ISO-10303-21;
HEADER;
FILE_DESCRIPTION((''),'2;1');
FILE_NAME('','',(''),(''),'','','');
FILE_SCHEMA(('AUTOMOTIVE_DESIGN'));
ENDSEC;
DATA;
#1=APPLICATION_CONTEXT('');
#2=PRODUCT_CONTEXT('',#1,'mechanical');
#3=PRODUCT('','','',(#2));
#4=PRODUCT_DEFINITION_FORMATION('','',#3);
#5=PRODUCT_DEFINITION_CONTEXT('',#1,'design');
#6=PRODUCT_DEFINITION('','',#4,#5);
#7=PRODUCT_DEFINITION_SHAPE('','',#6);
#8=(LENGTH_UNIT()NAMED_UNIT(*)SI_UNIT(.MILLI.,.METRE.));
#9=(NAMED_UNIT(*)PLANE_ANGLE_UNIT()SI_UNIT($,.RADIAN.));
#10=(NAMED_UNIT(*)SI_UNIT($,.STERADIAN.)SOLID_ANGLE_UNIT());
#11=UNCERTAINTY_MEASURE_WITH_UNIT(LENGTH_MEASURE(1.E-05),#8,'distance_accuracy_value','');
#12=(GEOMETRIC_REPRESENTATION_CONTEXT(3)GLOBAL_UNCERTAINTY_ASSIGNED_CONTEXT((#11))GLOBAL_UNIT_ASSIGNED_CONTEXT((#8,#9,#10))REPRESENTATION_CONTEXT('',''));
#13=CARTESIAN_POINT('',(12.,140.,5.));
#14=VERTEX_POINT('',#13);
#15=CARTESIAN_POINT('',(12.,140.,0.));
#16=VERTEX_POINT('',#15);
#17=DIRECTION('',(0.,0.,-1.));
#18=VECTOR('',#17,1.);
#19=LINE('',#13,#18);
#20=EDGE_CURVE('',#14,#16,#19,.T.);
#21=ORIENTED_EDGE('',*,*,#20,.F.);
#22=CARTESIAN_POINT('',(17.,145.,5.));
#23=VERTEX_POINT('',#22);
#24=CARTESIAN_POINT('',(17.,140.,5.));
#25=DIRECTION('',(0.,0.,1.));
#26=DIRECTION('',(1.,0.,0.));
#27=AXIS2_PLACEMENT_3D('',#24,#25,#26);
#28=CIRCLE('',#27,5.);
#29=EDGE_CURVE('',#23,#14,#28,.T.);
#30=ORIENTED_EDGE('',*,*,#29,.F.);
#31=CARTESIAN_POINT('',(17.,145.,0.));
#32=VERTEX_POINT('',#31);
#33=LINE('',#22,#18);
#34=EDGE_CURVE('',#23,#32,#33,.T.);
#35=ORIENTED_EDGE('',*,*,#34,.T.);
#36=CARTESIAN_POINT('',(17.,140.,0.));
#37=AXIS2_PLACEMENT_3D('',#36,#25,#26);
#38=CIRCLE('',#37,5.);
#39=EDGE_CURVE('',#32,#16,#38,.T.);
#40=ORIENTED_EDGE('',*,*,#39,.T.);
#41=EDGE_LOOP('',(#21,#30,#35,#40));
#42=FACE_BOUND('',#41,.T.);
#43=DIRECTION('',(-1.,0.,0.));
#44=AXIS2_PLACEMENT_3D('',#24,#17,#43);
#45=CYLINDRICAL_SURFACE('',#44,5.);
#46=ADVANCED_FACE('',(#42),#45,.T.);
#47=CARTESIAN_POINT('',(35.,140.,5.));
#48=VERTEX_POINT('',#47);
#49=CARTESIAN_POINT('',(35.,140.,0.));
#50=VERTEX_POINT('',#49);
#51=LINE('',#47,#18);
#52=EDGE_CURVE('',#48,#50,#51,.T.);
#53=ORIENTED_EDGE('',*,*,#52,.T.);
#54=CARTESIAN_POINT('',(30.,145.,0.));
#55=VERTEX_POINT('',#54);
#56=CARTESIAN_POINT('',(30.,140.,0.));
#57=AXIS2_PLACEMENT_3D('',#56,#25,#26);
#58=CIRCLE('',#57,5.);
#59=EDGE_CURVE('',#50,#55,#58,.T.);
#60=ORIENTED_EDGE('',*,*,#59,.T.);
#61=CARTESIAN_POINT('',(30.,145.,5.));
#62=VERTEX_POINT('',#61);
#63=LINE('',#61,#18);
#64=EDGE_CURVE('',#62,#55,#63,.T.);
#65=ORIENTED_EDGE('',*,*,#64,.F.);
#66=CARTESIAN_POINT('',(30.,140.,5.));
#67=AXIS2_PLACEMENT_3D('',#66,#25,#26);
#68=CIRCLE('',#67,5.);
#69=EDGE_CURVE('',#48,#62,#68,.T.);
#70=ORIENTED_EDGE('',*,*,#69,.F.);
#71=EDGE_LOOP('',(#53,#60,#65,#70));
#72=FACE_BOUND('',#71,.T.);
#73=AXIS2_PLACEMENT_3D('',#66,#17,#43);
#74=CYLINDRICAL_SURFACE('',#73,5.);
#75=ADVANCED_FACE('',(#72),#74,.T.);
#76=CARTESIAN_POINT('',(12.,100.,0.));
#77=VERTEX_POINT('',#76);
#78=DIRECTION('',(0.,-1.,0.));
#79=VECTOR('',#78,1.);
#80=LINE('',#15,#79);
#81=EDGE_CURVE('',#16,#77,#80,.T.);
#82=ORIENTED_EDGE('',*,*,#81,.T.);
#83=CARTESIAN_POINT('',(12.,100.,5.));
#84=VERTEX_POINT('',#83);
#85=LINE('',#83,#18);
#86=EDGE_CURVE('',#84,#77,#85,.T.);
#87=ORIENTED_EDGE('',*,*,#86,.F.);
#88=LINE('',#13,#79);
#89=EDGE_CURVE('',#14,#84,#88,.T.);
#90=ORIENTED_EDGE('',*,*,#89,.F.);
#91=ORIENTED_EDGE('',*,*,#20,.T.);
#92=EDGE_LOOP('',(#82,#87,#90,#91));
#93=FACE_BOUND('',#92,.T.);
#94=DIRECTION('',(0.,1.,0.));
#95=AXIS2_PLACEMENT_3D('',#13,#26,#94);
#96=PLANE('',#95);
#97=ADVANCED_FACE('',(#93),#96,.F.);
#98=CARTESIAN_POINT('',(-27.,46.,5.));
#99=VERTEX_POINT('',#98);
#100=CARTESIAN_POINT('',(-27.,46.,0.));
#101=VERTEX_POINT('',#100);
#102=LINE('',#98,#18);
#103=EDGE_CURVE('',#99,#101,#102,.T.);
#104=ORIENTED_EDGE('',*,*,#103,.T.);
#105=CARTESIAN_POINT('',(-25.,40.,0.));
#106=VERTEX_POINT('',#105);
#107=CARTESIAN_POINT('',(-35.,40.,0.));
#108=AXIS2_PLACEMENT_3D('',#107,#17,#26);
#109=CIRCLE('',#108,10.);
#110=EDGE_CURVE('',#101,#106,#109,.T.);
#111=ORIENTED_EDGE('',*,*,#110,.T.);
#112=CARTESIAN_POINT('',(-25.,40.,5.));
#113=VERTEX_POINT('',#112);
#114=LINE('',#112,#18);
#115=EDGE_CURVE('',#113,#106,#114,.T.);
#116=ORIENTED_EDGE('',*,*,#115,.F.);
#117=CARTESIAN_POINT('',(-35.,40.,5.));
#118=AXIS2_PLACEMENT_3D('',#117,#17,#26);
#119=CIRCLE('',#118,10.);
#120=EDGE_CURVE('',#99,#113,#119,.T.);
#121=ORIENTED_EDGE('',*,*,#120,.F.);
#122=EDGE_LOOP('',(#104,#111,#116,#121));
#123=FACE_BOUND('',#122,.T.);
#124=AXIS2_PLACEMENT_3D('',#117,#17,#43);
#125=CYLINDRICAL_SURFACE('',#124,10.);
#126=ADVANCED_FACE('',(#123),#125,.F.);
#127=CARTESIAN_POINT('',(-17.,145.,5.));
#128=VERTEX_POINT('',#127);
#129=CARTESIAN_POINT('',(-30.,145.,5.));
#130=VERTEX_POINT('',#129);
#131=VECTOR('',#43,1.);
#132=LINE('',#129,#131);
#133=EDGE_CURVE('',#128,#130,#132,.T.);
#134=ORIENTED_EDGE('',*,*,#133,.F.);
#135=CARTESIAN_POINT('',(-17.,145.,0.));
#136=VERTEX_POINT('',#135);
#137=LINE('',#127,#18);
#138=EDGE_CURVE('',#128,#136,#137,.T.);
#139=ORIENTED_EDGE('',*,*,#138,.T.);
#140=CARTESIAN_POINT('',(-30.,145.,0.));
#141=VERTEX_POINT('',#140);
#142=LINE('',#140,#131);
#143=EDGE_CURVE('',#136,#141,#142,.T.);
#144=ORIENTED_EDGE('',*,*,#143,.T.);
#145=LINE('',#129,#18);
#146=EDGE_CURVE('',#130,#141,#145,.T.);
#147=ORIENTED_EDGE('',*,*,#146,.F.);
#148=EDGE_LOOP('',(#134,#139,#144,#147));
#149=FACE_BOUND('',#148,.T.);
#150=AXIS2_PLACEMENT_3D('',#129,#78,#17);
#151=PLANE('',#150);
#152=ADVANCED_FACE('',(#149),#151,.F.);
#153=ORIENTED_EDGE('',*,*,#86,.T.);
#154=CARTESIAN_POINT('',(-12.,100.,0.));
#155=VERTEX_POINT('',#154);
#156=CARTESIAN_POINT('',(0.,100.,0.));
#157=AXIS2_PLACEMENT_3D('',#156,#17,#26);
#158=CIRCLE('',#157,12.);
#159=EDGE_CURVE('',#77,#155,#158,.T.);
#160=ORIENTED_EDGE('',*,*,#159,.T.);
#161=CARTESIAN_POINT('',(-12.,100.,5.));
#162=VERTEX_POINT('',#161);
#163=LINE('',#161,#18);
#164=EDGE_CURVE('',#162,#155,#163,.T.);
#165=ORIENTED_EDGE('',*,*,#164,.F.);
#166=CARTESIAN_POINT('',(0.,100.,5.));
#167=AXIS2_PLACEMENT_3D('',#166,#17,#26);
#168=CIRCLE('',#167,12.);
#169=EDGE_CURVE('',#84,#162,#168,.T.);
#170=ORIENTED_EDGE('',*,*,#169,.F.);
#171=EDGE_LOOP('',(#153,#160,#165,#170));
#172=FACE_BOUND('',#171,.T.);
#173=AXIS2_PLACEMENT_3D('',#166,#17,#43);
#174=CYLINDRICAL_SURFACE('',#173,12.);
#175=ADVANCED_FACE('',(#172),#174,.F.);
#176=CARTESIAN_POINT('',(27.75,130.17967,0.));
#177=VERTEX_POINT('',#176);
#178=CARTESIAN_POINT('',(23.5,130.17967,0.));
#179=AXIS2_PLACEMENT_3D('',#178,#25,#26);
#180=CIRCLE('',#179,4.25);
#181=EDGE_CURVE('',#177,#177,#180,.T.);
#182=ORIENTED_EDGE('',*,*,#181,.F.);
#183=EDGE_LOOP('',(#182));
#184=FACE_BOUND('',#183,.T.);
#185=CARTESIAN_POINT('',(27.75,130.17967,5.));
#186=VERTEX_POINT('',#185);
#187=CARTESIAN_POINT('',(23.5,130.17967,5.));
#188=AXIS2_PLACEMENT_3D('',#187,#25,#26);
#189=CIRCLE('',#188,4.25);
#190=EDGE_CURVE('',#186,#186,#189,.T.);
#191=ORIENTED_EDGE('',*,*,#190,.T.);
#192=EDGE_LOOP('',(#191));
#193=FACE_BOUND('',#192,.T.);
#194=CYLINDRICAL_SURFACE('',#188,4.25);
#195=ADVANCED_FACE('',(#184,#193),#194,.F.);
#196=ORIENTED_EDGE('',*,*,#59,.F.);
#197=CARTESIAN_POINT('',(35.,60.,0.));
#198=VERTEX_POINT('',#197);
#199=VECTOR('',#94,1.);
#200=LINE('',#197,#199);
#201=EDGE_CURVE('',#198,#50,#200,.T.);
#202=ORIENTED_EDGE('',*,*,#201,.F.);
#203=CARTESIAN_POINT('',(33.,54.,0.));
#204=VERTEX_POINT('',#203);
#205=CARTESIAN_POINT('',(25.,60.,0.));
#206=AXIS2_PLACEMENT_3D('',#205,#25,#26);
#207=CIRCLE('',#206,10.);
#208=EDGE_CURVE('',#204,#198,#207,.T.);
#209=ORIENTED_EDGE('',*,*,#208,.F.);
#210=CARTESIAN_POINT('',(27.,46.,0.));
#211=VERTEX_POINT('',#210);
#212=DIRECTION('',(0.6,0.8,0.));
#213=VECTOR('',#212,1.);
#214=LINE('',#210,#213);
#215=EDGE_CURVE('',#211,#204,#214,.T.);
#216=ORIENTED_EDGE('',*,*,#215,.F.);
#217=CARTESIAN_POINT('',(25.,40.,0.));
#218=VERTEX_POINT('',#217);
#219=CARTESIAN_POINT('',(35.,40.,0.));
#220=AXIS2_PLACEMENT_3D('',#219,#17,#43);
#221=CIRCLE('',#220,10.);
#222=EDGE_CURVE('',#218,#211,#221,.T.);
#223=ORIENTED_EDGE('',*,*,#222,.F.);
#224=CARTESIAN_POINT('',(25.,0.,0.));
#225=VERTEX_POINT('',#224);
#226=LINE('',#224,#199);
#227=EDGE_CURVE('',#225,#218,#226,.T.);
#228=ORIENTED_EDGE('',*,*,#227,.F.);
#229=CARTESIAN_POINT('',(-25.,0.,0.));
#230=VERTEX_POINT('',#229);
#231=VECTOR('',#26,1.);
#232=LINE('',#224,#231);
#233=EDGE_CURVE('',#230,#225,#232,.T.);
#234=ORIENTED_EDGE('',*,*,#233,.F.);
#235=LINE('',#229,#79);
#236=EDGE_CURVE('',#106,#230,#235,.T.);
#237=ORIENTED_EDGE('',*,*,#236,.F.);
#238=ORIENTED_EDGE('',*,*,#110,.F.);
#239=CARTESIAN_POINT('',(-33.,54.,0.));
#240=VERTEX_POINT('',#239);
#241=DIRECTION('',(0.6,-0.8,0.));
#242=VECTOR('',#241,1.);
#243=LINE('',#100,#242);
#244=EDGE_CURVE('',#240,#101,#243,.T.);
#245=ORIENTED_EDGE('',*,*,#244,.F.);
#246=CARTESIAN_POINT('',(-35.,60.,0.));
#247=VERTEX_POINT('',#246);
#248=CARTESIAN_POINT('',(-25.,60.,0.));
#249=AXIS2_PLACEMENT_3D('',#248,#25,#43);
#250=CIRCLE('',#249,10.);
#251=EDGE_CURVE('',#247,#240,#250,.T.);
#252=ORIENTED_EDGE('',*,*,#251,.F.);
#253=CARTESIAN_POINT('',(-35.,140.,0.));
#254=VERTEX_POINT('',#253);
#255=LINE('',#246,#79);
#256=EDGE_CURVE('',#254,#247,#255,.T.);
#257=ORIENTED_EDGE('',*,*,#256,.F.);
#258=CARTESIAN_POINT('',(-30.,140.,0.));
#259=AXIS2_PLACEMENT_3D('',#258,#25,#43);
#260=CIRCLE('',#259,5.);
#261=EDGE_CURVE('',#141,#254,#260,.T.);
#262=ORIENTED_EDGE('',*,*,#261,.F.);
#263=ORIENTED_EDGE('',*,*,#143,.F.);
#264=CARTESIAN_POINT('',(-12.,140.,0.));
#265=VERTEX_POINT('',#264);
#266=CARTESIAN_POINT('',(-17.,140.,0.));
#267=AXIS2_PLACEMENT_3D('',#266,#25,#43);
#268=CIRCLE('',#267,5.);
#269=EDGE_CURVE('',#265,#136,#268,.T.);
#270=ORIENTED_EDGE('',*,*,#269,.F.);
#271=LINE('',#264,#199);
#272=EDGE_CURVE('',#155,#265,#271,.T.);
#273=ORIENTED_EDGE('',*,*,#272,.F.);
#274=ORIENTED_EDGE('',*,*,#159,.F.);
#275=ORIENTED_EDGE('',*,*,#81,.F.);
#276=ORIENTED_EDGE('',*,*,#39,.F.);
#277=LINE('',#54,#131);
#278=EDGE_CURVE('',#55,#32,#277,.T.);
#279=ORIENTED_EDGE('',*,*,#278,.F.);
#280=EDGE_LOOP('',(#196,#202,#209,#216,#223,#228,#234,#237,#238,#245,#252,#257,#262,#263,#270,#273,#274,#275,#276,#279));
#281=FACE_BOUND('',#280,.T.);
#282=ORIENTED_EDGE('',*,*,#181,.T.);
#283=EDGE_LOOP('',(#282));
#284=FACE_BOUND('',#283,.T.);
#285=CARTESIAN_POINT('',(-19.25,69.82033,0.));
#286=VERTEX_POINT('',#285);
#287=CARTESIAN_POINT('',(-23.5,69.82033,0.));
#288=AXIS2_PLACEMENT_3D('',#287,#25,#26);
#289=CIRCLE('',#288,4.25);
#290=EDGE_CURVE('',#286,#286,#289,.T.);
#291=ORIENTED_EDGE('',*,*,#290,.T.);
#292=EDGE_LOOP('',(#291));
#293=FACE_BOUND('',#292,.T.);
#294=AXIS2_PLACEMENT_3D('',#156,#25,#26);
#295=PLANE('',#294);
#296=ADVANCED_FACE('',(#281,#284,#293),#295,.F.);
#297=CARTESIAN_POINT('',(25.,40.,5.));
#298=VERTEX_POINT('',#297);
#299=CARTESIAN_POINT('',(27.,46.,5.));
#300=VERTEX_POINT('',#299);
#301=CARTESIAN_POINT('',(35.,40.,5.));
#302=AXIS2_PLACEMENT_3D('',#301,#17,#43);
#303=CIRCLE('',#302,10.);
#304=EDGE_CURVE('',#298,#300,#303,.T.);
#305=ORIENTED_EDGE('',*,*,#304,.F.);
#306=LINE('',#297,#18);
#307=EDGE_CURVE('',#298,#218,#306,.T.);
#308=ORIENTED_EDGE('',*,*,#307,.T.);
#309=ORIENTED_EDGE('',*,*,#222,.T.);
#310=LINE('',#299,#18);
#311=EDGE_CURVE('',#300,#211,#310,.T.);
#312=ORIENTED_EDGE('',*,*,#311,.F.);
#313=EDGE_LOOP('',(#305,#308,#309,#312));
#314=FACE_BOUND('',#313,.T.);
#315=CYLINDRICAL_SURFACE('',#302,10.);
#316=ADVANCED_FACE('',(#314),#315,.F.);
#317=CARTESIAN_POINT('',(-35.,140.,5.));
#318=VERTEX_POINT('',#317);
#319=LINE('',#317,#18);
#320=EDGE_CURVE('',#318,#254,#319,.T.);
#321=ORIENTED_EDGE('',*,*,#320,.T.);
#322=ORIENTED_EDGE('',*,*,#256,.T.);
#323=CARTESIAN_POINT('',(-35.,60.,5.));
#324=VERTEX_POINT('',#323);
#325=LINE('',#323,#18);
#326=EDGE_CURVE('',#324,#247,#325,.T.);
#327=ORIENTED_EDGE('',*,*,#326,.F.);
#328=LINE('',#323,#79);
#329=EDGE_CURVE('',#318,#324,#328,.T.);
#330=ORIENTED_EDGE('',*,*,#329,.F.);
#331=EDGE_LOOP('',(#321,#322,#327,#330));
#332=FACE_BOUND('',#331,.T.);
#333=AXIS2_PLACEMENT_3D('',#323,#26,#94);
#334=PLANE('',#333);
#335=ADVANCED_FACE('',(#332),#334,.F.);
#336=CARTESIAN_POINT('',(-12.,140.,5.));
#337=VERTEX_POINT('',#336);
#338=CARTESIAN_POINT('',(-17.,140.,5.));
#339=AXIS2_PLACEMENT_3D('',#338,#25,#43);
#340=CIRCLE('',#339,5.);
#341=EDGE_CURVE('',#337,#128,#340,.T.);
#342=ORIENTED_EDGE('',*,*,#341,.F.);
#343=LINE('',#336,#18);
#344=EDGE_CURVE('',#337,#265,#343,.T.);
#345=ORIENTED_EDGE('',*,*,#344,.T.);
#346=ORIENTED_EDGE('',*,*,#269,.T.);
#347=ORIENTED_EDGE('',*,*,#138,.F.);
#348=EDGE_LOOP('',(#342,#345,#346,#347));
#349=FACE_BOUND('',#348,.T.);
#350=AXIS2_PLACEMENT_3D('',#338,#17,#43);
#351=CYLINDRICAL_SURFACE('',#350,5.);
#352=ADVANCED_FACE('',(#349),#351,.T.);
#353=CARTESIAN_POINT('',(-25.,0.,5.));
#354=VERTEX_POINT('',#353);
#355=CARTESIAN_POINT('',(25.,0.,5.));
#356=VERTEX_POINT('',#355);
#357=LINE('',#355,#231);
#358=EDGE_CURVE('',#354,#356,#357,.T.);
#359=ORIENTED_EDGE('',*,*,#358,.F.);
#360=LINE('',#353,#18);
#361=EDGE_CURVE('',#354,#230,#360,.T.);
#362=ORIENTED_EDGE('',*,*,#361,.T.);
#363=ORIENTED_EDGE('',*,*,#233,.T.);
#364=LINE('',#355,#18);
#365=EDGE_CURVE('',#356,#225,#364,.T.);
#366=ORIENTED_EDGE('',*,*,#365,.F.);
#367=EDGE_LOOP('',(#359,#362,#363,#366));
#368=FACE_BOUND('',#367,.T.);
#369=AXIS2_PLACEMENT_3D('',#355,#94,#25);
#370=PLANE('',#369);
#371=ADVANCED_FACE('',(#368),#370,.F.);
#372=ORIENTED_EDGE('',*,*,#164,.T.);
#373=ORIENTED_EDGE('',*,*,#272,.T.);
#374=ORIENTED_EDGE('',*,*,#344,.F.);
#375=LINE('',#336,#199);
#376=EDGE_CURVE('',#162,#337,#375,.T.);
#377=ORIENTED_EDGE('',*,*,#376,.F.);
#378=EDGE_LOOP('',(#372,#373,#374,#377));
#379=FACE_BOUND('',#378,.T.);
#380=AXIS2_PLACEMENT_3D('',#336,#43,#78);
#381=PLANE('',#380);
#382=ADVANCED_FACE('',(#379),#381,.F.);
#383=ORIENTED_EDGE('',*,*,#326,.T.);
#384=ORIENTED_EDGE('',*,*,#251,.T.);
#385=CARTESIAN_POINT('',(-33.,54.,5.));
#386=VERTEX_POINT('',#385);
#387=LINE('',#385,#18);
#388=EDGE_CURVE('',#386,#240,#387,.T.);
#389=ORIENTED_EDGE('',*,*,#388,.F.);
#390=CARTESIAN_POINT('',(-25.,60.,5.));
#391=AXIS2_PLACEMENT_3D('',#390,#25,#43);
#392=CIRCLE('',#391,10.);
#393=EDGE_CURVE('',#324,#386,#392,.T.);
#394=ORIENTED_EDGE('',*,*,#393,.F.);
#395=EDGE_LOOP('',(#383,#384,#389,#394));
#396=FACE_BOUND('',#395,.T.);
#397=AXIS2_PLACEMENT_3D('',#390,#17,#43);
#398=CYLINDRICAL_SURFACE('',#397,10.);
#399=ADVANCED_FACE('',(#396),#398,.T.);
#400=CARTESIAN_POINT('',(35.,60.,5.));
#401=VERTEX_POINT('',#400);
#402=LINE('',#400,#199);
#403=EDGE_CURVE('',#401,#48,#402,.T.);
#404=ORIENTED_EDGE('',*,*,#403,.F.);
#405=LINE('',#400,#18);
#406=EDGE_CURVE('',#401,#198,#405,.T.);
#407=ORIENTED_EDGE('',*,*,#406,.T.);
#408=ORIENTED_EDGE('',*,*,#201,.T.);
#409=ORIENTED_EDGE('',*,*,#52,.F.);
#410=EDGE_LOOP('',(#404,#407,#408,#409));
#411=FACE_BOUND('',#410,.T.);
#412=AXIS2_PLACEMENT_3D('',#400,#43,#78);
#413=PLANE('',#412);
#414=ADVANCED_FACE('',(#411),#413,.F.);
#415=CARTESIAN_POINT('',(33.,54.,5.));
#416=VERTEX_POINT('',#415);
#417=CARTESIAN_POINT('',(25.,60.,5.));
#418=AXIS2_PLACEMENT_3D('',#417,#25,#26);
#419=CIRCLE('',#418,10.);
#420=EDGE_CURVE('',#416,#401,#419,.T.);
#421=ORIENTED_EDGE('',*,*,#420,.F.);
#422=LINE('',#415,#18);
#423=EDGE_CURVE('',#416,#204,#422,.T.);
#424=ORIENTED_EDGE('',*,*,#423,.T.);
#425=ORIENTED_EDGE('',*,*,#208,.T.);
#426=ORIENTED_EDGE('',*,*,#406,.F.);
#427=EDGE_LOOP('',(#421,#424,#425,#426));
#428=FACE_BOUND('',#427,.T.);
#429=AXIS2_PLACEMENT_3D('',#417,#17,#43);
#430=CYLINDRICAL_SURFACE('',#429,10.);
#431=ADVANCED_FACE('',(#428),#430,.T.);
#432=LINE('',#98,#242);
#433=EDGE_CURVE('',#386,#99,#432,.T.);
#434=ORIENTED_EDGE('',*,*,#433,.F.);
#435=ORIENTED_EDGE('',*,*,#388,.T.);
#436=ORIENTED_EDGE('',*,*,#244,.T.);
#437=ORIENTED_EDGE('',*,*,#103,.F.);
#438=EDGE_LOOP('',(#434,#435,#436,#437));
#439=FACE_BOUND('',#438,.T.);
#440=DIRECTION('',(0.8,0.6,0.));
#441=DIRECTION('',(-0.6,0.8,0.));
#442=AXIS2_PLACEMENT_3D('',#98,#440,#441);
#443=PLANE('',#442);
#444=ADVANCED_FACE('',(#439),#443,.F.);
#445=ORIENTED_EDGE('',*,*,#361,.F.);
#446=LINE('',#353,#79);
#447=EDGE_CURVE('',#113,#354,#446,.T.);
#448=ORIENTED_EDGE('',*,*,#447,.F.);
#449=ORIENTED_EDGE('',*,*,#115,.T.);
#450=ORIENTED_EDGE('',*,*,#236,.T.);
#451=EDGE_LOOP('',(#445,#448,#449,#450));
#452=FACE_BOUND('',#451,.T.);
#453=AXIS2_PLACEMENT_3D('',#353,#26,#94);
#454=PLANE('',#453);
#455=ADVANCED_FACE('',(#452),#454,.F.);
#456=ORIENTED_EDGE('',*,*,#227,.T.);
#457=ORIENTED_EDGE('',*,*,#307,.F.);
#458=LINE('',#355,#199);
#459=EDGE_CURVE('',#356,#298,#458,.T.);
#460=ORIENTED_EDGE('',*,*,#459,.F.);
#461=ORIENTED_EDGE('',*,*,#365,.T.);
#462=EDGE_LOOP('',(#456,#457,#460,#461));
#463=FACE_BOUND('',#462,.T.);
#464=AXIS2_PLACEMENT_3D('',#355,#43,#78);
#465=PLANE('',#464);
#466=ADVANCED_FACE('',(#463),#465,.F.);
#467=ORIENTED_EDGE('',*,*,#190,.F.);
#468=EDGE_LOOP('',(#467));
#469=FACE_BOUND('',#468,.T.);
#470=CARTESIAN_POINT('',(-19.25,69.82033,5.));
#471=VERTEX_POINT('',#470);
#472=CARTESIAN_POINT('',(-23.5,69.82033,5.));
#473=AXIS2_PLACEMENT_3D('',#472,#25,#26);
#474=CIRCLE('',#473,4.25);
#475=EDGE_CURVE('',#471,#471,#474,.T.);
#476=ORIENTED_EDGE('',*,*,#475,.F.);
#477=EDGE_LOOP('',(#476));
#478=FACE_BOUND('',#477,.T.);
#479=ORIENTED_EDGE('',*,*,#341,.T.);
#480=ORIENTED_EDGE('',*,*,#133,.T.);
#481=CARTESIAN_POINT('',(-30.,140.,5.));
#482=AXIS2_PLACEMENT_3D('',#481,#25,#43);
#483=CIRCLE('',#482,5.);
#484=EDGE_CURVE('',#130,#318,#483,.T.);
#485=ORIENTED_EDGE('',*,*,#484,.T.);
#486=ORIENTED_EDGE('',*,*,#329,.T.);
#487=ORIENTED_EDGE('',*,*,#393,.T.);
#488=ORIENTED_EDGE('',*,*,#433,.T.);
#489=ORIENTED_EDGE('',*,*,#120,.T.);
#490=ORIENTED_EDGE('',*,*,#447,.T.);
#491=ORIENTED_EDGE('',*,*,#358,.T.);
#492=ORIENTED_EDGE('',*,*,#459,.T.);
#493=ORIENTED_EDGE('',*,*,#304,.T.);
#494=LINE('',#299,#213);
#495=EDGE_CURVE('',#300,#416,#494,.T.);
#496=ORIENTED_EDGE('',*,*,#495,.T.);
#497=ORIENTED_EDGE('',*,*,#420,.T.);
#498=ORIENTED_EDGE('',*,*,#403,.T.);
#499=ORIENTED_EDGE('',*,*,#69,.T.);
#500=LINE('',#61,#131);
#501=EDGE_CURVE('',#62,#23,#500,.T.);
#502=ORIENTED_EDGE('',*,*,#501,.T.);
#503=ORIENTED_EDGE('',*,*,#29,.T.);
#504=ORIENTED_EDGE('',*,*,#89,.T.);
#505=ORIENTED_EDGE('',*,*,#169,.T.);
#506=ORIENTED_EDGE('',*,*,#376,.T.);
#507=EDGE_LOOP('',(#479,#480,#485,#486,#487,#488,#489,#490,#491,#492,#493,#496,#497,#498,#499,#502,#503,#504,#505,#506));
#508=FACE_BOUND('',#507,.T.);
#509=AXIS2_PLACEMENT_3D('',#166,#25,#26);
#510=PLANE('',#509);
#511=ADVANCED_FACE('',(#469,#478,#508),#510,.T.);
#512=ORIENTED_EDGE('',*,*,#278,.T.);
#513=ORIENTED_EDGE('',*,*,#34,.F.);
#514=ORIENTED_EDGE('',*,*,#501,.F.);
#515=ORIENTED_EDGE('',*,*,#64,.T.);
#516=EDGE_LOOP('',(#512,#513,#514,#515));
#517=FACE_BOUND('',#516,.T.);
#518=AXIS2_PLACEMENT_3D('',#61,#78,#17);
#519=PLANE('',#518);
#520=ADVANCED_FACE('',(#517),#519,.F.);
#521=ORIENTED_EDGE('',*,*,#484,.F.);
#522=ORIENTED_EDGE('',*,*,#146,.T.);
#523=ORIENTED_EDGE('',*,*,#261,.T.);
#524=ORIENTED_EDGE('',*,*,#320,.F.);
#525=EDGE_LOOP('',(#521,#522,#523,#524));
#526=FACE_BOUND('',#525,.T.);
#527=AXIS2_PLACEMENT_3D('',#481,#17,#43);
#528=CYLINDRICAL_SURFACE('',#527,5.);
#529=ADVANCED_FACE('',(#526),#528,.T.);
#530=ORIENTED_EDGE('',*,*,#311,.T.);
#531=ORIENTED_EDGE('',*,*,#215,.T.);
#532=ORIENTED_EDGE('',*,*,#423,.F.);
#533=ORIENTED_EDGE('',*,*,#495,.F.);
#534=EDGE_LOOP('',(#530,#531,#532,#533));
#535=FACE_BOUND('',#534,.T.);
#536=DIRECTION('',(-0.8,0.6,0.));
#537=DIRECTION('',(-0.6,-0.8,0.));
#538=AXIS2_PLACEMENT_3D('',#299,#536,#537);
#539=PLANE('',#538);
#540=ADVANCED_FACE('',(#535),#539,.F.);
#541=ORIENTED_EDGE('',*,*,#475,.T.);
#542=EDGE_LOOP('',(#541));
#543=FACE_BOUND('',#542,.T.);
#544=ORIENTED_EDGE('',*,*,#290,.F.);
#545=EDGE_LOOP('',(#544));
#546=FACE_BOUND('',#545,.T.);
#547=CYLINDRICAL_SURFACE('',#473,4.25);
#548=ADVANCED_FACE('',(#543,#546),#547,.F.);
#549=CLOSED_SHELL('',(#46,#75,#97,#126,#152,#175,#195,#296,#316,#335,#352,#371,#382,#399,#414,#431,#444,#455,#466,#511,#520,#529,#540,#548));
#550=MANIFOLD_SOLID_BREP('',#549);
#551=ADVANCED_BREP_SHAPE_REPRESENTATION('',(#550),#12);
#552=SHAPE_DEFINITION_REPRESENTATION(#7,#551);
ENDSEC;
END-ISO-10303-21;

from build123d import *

# Parameters (mm, degrees)
BOSS_EXTRUDE1_DEPTH      = 5
TAP_DRILL_FOR_M10_TAP1_D = 8.5


with BuildPart() as part:
    # Sketch1 → Boss-Extrude1 (new body)
    with BuildSketch(Plane.XY):
        with BuildLine():
            Line((25, 0), (-25, 0))
            Line((-25, 0), (-25, 40))
            ThreePointArc((-25, 40), (-25.513167019, 43.16227766), (-27, 46))
            Line((-27, 46), (-33, 54))
            ThreePointArc((-33, 54), (-34.486832981, 56.83772234), (-35, 60))
            Line((-35, 60), (-35, 140))
            ThreePointArc((-35, 140), (-33.535533906, 143.535533906), (-30, 145))
            Line((-30, 145), (-17, 145))
            ThreePointArc((-17, 145), (-13.464466094, 143.535533906), (-12, 140))
            Line((-12, 140), (-12, 100))
            ThreePointArc((-12, 100), (0, 88), (12, 100))
            Line((12, 100), (12, 140))
            ThreePointArc((12, 140), (13.464466094, 143.535533906), (17, 145))
            Line((17, 145), (30, 145))
            ThreePointArc((30, 145), (33.535533906, 143.535533906), (35, 140))
            Line((35, 140), (35, 60))
            ThreePointArc((35, 60), (34.486832981, 56.83772234), (33, 54))
            Line((33, 54), (27, 46))
            ThreePointArc((27, 46), (25.513167019, 43.16227766), (25, 40))
            Line((25, 40), (25, 0))
        make_face()
    extrude(amount=BOSS_EXTRUDE1_DEPTH)

    # Tap Drill for M10 Tap1 (through all)
    with Locations(Plane.XY.offset(5)):
        with Locations((23.5, 130.17967031), (-23.5, 69.82032969)):
            Hole(TAP_DRILL_FOR_M10_TAP1_D / 2)


solid = part.part
